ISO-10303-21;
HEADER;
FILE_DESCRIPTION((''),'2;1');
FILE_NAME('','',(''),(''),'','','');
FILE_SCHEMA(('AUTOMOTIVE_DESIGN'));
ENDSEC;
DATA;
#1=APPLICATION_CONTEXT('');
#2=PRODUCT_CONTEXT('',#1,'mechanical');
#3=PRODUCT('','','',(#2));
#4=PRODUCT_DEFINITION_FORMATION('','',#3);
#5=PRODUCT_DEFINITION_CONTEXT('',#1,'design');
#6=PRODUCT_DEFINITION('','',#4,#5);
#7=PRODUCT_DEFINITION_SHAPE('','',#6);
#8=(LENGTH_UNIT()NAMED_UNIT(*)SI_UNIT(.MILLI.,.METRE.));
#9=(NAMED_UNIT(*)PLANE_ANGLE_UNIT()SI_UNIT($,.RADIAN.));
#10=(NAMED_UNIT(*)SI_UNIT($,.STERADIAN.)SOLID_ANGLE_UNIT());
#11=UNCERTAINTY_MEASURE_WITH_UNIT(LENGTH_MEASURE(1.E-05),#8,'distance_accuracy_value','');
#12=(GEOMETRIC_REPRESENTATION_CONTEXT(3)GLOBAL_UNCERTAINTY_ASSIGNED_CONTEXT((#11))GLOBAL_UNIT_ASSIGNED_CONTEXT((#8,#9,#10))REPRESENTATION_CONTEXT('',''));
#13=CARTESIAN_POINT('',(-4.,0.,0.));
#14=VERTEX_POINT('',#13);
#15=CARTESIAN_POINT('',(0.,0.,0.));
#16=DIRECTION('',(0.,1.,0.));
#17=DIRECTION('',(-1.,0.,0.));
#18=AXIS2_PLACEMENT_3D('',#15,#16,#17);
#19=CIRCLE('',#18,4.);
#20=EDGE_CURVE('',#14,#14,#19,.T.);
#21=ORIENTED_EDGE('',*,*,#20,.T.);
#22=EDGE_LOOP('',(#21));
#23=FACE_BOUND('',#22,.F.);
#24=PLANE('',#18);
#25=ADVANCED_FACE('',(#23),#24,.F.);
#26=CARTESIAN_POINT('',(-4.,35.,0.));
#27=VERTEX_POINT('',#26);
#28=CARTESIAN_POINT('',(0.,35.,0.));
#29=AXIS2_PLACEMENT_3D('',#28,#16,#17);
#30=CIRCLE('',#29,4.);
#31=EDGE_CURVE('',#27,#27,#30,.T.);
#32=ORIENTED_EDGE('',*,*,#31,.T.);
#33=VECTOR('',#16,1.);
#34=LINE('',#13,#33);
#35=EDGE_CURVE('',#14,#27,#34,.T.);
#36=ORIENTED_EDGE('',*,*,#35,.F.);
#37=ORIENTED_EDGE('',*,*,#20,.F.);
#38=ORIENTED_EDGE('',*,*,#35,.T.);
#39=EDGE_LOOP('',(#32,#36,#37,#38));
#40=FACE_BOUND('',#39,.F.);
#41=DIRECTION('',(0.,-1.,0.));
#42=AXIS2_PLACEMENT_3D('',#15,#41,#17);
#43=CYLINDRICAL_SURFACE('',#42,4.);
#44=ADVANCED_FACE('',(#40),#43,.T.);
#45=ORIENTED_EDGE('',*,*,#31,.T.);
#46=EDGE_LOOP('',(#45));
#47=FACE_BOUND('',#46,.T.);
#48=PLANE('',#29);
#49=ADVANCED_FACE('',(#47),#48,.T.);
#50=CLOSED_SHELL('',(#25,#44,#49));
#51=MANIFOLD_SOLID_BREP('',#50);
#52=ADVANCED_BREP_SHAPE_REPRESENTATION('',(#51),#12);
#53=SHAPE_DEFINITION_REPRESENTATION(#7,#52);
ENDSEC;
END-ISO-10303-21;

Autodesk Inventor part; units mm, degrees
ref_plane "YZ Plane" through (0, 0, 0) normal (1, 0, 0) x (0, 1, 0)
ref_plane "XZ Plane" through (0, 0, 0) normal (0, 1, 0) x (-1, 0, 0)
ref_plane "XY Plane" through (0, 0, 0) normal (0, 0, 1) x (1, 0, 0)
sketch "Sketch1" plane through (0, 0, 0) normal (0, 1, 0) x (-1, 0, 0)
  circle A0 centre (0, 0) radius 4
  dimension "d0" = 8
extrude "Extrusion1" add sketch "Sketch1" along normal blind 35
properties part number "dummy Z axis sensor"
